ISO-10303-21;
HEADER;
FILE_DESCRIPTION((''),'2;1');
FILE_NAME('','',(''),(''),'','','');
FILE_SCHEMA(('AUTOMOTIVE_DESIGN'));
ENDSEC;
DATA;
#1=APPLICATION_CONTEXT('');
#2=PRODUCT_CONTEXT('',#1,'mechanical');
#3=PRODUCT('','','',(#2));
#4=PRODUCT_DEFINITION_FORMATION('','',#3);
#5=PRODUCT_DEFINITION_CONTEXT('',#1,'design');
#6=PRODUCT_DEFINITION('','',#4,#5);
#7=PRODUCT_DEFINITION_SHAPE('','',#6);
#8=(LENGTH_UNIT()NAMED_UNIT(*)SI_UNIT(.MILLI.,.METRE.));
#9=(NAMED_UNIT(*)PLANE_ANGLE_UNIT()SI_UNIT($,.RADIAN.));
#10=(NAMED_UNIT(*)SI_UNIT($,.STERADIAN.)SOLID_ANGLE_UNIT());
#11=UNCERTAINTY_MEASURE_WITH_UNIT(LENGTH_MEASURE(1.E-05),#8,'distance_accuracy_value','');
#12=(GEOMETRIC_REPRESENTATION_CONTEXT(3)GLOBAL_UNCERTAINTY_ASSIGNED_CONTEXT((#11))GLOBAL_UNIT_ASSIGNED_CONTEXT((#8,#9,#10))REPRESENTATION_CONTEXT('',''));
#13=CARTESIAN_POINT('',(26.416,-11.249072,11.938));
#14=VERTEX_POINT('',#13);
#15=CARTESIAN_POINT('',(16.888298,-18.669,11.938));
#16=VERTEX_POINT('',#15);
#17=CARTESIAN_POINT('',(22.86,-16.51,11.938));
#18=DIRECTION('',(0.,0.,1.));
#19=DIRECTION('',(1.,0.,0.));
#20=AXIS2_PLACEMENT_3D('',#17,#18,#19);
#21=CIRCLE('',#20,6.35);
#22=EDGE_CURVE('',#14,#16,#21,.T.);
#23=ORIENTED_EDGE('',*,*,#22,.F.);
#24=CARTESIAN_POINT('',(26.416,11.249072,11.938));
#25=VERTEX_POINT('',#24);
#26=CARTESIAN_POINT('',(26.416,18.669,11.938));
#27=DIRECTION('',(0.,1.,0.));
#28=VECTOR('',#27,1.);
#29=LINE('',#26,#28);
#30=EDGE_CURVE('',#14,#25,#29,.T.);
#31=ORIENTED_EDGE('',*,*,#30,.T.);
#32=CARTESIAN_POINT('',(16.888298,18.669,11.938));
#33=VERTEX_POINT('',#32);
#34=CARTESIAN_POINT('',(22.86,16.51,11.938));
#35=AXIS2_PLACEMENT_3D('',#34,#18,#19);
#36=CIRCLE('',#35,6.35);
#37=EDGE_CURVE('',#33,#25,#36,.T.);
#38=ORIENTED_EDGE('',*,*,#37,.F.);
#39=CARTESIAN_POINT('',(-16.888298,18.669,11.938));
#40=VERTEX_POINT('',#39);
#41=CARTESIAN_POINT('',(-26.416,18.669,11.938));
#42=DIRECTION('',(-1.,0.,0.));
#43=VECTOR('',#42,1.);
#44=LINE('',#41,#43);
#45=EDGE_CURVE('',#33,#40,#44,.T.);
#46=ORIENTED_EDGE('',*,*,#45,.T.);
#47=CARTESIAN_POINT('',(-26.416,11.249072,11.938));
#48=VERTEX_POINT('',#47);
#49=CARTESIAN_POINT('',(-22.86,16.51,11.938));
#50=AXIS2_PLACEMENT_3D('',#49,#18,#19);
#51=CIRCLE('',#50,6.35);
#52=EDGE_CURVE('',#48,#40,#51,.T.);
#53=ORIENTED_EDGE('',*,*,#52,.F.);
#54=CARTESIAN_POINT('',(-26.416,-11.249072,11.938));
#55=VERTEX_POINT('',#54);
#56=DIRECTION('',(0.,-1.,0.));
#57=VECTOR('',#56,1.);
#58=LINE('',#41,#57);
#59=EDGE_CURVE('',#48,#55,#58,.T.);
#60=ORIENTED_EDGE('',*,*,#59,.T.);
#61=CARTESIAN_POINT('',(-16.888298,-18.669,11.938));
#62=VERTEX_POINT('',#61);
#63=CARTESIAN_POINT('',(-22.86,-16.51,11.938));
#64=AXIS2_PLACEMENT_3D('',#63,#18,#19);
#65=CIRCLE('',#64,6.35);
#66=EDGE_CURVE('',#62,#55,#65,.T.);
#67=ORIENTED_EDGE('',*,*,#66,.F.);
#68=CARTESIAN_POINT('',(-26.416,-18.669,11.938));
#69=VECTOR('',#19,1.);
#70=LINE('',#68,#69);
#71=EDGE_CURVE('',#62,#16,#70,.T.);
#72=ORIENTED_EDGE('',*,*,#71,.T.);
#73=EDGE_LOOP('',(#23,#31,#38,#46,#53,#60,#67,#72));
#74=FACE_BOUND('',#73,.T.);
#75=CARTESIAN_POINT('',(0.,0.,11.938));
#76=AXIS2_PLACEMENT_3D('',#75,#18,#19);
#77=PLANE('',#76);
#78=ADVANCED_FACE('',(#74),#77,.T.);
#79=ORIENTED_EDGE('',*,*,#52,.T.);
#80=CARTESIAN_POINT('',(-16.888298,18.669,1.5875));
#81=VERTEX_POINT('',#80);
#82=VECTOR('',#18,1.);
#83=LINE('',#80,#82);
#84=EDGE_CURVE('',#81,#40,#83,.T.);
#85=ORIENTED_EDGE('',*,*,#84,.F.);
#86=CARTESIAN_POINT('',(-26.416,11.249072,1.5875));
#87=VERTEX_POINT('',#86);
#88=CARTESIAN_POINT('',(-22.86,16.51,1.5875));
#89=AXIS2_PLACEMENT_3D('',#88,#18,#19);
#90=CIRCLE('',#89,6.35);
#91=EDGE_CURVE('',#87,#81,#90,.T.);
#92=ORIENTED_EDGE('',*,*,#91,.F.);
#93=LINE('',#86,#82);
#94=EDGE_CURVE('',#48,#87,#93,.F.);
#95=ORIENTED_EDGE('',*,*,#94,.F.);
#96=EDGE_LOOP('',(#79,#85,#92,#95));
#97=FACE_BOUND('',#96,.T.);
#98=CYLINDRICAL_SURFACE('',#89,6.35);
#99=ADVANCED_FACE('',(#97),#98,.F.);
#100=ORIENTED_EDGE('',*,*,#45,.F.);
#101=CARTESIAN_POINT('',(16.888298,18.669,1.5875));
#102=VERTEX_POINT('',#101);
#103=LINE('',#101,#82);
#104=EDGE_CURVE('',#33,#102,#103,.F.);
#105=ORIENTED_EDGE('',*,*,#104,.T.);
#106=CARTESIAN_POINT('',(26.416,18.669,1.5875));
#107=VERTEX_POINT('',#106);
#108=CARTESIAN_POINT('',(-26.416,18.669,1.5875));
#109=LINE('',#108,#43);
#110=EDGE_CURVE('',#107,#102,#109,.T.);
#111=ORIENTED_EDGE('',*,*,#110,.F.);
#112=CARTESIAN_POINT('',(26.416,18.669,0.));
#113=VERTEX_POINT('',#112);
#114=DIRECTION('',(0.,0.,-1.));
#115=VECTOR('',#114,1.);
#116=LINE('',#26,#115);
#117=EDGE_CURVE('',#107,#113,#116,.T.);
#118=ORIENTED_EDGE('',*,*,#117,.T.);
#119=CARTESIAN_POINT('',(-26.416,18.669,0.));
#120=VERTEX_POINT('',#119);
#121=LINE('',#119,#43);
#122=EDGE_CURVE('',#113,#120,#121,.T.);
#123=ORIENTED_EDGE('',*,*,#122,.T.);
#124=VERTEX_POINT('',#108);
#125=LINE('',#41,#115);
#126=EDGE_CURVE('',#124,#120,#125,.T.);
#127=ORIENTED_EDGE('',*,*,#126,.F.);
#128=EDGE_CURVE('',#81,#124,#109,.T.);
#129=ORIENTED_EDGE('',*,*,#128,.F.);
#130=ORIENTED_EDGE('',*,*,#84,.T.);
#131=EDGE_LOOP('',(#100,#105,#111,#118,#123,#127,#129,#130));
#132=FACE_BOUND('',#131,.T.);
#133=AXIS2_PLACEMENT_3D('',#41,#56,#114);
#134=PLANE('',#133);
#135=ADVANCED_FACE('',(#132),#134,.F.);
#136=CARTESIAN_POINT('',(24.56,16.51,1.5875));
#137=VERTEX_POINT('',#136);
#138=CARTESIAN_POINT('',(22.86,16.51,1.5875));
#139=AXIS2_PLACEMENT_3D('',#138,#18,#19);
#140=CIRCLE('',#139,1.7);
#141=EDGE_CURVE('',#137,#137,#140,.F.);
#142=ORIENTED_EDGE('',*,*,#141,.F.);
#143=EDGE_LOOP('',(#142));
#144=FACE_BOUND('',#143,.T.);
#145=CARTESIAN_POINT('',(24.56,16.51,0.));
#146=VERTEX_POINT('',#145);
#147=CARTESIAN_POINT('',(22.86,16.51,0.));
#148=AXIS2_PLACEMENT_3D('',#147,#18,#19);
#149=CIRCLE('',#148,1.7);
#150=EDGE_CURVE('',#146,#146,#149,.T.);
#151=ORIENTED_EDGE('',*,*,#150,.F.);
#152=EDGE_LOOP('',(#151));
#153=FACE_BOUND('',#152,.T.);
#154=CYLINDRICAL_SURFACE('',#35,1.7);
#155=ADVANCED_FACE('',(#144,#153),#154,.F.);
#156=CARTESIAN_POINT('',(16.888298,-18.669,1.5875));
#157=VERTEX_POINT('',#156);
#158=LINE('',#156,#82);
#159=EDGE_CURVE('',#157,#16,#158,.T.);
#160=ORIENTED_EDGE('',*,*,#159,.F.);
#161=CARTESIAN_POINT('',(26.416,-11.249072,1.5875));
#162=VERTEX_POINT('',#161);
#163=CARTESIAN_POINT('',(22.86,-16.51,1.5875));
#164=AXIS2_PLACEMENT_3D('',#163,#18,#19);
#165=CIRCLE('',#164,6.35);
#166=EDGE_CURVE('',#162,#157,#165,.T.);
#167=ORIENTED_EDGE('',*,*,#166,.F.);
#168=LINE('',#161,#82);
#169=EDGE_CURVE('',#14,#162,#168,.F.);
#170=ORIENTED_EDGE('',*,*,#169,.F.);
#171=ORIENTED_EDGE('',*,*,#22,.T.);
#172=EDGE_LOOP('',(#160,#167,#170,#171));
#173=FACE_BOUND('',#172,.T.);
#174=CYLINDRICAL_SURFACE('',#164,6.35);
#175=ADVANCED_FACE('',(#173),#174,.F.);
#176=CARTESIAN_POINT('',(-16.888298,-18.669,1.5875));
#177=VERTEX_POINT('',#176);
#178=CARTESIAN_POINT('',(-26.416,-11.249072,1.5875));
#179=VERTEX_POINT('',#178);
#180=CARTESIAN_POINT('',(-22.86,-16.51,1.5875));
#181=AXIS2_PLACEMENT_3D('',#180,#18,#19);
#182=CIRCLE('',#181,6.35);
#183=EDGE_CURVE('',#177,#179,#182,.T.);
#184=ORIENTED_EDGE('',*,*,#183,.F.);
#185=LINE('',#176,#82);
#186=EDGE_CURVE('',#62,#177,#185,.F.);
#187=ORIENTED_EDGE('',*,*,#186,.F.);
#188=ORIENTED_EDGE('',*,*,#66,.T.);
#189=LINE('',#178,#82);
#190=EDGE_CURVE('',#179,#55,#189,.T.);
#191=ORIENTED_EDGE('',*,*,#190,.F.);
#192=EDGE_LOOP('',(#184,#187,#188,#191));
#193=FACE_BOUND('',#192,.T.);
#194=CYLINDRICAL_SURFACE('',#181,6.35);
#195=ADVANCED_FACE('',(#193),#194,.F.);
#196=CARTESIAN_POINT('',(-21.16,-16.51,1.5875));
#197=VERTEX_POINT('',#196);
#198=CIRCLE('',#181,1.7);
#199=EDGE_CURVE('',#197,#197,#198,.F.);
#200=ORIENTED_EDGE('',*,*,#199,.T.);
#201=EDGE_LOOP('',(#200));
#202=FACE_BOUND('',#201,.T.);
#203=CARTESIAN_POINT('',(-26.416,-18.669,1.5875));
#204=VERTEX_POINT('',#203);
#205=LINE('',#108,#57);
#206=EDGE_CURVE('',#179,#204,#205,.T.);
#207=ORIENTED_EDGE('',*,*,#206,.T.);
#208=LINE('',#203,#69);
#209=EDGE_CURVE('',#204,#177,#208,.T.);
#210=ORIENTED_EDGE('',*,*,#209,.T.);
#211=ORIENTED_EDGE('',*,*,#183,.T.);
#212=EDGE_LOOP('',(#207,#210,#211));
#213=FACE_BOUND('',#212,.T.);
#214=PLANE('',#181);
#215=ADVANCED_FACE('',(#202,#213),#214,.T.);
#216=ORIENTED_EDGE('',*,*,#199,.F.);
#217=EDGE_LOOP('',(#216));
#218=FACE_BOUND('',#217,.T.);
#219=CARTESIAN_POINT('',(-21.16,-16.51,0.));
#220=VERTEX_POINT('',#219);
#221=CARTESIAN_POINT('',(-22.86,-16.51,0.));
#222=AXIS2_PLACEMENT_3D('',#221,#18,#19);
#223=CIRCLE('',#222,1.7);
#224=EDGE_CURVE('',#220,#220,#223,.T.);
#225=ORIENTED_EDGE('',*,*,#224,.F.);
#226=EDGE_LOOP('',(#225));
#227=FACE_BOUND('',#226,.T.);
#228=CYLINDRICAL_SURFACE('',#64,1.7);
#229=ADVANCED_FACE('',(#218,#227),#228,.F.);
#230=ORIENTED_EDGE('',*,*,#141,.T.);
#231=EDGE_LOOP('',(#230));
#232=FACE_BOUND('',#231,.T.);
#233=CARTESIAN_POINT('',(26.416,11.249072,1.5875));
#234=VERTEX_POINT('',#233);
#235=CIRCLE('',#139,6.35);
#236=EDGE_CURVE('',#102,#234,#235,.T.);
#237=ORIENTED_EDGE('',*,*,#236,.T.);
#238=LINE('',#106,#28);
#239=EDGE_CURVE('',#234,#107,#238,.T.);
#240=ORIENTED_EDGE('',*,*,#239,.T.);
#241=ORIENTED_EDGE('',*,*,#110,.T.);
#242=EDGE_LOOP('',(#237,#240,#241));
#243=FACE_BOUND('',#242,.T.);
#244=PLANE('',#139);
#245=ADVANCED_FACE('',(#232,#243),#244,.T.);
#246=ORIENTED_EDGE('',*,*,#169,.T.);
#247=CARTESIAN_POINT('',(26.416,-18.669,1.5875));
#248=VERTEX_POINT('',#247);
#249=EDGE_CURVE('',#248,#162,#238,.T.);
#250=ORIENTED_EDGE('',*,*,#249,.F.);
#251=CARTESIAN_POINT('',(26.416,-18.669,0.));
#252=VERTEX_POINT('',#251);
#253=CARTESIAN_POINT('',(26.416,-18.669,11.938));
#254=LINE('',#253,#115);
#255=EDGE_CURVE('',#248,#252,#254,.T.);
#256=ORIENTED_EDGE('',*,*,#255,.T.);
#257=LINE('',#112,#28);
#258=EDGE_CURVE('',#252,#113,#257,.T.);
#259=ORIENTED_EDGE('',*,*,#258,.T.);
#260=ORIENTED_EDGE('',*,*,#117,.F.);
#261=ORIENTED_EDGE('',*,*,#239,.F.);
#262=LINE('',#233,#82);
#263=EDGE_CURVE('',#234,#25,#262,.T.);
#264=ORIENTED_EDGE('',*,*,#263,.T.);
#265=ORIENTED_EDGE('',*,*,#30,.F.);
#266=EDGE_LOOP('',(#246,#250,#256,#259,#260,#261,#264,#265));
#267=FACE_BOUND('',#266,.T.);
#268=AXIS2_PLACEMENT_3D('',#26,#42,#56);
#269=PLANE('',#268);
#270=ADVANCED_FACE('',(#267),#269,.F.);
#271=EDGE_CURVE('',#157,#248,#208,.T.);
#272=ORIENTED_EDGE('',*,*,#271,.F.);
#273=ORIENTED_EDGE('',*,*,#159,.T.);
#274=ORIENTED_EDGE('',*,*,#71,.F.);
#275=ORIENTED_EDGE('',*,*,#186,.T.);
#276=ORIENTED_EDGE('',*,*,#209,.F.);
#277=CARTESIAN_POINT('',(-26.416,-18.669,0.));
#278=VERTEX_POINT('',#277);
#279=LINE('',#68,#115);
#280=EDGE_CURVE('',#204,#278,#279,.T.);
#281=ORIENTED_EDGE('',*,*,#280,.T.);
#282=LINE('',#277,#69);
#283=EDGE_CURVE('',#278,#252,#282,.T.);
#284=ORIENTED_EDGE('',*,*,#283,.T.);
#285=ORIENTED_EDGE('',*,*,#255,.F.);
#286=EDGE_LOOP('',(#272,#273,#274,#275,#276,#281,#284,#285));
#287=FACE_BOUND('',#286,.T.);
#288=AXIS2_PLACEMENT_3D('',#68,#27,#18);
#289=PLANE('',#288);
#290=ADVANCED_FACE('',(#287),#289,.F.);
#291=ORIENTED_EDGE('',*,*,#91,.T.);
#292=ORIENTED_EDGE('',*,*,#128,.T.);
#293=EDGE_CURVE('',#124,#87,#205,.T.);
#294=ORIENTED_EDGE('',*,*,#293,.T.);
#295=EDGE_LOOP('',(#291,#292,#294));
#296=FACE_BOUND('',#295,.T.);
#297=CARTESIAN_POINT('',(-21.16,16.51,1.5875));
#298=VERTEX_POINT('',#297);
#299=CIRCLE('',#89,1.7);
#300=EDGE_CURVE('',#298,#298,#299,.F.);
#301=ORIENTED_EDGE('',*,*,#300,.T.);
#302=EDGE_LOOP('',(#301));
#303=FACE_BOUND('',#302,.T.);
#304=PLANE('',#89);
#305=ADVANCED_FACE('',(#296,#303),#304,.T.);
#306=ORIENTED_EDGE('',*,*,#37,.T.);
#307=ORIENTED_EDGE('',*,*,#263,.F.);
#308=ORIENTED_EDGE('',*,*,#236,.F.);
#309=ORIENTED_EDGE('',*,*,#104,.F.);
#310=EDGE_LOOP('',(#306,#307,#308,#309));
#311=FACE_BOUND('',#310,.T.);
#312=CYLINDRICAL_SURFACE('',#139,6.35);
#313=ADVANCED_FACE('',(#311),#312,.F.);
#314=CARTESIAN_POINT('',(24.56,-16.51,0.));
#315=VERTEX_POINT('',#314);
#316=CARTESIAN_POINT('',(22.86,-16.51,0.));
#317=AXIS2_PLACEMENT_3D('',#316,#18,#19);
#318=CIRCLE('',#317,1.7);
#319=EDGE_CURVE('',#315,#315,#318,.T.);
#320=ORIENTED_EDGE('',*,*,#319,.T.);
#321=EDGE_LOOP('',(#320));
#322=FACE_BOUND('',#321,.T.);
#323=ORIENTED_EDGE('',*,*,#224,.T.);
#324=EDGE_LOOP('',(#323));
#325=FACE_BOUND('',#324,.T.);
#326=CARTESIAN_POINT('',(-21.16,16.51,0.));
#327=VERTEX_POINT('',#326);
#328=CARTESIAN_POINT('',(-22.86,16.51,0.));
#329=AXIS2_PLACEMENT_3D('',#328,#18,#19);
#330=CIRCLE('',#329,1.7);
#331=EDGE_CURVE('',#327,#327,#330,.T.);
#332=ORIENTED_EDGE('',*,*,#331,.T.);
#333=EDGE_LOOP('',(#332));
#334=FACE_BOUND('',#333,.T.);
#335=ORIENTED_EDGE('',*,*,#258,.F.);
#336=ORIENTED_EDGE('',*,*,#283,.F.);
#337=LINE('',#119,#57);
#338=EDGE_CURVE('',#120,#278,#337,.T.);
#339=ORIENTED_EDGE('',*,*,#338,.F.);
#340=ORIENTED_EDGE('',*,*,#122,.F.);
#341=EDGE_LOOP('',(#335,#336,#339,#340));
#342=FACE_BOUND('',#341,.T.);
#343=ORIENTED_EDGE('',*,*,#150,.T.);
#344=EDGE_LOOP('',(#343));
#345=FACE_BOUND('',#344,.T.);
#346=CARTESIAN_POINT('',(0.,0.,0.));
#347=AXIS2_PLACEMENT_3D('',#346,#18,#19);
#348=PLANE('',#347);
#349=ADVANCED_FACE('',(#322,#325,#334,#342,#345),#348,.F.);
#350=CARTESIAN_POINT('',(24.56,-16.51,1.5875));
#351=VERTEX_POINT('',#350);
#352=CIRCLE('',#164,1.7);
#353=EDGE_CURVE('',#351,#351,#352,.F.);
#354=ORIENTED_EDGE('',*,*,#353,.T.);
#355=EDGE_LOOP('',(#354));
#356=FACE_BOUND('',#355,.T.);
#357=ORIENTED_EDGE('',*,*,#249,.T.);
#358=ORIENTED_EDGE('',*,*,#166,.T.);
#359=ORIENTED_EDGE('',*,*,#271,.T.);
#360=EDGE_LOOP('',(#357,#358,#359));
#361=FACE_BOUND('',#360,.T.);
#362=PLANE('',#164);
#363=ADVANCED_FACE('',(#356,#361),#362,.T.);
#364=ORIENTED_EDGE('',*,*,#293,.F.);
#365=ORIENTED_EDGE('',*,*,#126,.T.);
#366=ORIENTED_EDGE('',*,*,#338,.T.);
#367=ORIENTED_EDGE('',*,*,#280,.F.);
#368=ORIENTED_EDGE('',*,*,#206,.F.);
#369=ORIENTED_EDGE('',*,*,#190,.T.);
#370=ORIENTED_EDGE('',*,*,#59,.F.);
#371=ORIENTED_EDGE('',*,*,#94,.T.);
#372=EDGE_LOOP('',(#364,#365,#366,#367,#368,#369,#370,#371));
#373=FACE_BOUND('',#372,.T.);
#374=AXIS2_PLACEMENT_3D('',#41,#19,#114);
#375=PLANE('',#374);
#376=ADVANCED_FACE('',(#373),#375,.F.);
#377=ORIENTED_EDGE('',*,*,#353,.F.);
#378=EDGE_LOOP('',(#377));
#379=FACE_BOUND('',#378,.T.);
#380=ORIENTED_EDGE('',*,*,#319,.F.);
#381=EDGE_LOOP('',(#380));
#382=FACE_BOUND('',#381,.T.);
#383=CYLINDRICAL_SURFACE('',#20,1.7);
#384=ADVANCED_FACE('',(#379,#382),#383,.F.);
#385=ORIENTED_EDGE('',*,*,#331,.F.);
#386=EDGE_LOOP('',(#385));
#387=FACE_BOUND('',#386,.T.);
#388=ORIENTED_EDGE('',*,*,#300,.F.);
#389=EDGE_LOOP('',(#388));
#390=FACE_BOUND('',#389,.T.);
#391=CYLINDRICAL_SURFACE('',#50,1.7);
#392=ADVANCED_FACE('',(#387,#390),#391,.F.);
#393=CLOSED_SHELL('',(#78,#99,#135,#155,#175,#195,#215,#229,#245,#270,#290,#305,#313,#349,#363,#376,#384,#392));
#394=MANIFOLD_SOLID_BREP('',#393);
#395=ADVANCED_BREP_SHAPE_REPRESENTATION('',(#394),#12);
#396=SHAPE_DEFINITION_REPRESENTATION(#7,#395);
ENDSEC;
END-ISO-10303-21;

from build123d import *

# Parameters (mm, degrees)
SKETCH1_W                = 52.832
SKETCH1_H                = 37.338
BOSS_EXTRUDE1_DEPTH      = 11.938
M3_CLEARANCE_HOLE1_D     = 3.4
M3_CLEARANCE_HOLE1_DEPTH = 11.938
SKETCH4_R                = 6.35
CUT_EXTRUDE1_DEPTH       = 10.3505


with BuildPart() as part:
    # Sketch1 → Boss-Extrude1 (new body)
    with BuildSketch(Plane.XY):
        Rectangle(SKETCH1_W, SKETCH1_H)
    extrude(amount=BOSS_EXTRUDE1_DEPTH)

    # M3 Clearance Hole1
    with Locations(Plane.XY.offset(11.938)):
        with Locations((-22.86, 16.51), (22.86, -16.51), (22.86, 16.51), (-22.86, -16.51)):
            Hole(M3_CLEARANCE_HOLE1_D / 2, depth=M3_CLEARANCE_HOLE1_DEPTH)

    # Sketch4 → Cut-Extrude1 (cut)
    with BuildSketch(Plane.XY.offset(11.938)):
        with Locations((-22.86, 16.51)):
            Circle(SKETCH4_R)
        with Locations((-22.86, -16.51)):
            Circle(SKETCH4_R)
        with Locations((22.86, 16.51)):
            Circle(SKETCH4_R)
        with Locations((22.86, -16.51)):
            Circle(SKETCH4_R)
    extrude(amount=-CUT_EXTRUDE1_DEPTH, mode=Mode.SUBTRACT)


solid = part.part
